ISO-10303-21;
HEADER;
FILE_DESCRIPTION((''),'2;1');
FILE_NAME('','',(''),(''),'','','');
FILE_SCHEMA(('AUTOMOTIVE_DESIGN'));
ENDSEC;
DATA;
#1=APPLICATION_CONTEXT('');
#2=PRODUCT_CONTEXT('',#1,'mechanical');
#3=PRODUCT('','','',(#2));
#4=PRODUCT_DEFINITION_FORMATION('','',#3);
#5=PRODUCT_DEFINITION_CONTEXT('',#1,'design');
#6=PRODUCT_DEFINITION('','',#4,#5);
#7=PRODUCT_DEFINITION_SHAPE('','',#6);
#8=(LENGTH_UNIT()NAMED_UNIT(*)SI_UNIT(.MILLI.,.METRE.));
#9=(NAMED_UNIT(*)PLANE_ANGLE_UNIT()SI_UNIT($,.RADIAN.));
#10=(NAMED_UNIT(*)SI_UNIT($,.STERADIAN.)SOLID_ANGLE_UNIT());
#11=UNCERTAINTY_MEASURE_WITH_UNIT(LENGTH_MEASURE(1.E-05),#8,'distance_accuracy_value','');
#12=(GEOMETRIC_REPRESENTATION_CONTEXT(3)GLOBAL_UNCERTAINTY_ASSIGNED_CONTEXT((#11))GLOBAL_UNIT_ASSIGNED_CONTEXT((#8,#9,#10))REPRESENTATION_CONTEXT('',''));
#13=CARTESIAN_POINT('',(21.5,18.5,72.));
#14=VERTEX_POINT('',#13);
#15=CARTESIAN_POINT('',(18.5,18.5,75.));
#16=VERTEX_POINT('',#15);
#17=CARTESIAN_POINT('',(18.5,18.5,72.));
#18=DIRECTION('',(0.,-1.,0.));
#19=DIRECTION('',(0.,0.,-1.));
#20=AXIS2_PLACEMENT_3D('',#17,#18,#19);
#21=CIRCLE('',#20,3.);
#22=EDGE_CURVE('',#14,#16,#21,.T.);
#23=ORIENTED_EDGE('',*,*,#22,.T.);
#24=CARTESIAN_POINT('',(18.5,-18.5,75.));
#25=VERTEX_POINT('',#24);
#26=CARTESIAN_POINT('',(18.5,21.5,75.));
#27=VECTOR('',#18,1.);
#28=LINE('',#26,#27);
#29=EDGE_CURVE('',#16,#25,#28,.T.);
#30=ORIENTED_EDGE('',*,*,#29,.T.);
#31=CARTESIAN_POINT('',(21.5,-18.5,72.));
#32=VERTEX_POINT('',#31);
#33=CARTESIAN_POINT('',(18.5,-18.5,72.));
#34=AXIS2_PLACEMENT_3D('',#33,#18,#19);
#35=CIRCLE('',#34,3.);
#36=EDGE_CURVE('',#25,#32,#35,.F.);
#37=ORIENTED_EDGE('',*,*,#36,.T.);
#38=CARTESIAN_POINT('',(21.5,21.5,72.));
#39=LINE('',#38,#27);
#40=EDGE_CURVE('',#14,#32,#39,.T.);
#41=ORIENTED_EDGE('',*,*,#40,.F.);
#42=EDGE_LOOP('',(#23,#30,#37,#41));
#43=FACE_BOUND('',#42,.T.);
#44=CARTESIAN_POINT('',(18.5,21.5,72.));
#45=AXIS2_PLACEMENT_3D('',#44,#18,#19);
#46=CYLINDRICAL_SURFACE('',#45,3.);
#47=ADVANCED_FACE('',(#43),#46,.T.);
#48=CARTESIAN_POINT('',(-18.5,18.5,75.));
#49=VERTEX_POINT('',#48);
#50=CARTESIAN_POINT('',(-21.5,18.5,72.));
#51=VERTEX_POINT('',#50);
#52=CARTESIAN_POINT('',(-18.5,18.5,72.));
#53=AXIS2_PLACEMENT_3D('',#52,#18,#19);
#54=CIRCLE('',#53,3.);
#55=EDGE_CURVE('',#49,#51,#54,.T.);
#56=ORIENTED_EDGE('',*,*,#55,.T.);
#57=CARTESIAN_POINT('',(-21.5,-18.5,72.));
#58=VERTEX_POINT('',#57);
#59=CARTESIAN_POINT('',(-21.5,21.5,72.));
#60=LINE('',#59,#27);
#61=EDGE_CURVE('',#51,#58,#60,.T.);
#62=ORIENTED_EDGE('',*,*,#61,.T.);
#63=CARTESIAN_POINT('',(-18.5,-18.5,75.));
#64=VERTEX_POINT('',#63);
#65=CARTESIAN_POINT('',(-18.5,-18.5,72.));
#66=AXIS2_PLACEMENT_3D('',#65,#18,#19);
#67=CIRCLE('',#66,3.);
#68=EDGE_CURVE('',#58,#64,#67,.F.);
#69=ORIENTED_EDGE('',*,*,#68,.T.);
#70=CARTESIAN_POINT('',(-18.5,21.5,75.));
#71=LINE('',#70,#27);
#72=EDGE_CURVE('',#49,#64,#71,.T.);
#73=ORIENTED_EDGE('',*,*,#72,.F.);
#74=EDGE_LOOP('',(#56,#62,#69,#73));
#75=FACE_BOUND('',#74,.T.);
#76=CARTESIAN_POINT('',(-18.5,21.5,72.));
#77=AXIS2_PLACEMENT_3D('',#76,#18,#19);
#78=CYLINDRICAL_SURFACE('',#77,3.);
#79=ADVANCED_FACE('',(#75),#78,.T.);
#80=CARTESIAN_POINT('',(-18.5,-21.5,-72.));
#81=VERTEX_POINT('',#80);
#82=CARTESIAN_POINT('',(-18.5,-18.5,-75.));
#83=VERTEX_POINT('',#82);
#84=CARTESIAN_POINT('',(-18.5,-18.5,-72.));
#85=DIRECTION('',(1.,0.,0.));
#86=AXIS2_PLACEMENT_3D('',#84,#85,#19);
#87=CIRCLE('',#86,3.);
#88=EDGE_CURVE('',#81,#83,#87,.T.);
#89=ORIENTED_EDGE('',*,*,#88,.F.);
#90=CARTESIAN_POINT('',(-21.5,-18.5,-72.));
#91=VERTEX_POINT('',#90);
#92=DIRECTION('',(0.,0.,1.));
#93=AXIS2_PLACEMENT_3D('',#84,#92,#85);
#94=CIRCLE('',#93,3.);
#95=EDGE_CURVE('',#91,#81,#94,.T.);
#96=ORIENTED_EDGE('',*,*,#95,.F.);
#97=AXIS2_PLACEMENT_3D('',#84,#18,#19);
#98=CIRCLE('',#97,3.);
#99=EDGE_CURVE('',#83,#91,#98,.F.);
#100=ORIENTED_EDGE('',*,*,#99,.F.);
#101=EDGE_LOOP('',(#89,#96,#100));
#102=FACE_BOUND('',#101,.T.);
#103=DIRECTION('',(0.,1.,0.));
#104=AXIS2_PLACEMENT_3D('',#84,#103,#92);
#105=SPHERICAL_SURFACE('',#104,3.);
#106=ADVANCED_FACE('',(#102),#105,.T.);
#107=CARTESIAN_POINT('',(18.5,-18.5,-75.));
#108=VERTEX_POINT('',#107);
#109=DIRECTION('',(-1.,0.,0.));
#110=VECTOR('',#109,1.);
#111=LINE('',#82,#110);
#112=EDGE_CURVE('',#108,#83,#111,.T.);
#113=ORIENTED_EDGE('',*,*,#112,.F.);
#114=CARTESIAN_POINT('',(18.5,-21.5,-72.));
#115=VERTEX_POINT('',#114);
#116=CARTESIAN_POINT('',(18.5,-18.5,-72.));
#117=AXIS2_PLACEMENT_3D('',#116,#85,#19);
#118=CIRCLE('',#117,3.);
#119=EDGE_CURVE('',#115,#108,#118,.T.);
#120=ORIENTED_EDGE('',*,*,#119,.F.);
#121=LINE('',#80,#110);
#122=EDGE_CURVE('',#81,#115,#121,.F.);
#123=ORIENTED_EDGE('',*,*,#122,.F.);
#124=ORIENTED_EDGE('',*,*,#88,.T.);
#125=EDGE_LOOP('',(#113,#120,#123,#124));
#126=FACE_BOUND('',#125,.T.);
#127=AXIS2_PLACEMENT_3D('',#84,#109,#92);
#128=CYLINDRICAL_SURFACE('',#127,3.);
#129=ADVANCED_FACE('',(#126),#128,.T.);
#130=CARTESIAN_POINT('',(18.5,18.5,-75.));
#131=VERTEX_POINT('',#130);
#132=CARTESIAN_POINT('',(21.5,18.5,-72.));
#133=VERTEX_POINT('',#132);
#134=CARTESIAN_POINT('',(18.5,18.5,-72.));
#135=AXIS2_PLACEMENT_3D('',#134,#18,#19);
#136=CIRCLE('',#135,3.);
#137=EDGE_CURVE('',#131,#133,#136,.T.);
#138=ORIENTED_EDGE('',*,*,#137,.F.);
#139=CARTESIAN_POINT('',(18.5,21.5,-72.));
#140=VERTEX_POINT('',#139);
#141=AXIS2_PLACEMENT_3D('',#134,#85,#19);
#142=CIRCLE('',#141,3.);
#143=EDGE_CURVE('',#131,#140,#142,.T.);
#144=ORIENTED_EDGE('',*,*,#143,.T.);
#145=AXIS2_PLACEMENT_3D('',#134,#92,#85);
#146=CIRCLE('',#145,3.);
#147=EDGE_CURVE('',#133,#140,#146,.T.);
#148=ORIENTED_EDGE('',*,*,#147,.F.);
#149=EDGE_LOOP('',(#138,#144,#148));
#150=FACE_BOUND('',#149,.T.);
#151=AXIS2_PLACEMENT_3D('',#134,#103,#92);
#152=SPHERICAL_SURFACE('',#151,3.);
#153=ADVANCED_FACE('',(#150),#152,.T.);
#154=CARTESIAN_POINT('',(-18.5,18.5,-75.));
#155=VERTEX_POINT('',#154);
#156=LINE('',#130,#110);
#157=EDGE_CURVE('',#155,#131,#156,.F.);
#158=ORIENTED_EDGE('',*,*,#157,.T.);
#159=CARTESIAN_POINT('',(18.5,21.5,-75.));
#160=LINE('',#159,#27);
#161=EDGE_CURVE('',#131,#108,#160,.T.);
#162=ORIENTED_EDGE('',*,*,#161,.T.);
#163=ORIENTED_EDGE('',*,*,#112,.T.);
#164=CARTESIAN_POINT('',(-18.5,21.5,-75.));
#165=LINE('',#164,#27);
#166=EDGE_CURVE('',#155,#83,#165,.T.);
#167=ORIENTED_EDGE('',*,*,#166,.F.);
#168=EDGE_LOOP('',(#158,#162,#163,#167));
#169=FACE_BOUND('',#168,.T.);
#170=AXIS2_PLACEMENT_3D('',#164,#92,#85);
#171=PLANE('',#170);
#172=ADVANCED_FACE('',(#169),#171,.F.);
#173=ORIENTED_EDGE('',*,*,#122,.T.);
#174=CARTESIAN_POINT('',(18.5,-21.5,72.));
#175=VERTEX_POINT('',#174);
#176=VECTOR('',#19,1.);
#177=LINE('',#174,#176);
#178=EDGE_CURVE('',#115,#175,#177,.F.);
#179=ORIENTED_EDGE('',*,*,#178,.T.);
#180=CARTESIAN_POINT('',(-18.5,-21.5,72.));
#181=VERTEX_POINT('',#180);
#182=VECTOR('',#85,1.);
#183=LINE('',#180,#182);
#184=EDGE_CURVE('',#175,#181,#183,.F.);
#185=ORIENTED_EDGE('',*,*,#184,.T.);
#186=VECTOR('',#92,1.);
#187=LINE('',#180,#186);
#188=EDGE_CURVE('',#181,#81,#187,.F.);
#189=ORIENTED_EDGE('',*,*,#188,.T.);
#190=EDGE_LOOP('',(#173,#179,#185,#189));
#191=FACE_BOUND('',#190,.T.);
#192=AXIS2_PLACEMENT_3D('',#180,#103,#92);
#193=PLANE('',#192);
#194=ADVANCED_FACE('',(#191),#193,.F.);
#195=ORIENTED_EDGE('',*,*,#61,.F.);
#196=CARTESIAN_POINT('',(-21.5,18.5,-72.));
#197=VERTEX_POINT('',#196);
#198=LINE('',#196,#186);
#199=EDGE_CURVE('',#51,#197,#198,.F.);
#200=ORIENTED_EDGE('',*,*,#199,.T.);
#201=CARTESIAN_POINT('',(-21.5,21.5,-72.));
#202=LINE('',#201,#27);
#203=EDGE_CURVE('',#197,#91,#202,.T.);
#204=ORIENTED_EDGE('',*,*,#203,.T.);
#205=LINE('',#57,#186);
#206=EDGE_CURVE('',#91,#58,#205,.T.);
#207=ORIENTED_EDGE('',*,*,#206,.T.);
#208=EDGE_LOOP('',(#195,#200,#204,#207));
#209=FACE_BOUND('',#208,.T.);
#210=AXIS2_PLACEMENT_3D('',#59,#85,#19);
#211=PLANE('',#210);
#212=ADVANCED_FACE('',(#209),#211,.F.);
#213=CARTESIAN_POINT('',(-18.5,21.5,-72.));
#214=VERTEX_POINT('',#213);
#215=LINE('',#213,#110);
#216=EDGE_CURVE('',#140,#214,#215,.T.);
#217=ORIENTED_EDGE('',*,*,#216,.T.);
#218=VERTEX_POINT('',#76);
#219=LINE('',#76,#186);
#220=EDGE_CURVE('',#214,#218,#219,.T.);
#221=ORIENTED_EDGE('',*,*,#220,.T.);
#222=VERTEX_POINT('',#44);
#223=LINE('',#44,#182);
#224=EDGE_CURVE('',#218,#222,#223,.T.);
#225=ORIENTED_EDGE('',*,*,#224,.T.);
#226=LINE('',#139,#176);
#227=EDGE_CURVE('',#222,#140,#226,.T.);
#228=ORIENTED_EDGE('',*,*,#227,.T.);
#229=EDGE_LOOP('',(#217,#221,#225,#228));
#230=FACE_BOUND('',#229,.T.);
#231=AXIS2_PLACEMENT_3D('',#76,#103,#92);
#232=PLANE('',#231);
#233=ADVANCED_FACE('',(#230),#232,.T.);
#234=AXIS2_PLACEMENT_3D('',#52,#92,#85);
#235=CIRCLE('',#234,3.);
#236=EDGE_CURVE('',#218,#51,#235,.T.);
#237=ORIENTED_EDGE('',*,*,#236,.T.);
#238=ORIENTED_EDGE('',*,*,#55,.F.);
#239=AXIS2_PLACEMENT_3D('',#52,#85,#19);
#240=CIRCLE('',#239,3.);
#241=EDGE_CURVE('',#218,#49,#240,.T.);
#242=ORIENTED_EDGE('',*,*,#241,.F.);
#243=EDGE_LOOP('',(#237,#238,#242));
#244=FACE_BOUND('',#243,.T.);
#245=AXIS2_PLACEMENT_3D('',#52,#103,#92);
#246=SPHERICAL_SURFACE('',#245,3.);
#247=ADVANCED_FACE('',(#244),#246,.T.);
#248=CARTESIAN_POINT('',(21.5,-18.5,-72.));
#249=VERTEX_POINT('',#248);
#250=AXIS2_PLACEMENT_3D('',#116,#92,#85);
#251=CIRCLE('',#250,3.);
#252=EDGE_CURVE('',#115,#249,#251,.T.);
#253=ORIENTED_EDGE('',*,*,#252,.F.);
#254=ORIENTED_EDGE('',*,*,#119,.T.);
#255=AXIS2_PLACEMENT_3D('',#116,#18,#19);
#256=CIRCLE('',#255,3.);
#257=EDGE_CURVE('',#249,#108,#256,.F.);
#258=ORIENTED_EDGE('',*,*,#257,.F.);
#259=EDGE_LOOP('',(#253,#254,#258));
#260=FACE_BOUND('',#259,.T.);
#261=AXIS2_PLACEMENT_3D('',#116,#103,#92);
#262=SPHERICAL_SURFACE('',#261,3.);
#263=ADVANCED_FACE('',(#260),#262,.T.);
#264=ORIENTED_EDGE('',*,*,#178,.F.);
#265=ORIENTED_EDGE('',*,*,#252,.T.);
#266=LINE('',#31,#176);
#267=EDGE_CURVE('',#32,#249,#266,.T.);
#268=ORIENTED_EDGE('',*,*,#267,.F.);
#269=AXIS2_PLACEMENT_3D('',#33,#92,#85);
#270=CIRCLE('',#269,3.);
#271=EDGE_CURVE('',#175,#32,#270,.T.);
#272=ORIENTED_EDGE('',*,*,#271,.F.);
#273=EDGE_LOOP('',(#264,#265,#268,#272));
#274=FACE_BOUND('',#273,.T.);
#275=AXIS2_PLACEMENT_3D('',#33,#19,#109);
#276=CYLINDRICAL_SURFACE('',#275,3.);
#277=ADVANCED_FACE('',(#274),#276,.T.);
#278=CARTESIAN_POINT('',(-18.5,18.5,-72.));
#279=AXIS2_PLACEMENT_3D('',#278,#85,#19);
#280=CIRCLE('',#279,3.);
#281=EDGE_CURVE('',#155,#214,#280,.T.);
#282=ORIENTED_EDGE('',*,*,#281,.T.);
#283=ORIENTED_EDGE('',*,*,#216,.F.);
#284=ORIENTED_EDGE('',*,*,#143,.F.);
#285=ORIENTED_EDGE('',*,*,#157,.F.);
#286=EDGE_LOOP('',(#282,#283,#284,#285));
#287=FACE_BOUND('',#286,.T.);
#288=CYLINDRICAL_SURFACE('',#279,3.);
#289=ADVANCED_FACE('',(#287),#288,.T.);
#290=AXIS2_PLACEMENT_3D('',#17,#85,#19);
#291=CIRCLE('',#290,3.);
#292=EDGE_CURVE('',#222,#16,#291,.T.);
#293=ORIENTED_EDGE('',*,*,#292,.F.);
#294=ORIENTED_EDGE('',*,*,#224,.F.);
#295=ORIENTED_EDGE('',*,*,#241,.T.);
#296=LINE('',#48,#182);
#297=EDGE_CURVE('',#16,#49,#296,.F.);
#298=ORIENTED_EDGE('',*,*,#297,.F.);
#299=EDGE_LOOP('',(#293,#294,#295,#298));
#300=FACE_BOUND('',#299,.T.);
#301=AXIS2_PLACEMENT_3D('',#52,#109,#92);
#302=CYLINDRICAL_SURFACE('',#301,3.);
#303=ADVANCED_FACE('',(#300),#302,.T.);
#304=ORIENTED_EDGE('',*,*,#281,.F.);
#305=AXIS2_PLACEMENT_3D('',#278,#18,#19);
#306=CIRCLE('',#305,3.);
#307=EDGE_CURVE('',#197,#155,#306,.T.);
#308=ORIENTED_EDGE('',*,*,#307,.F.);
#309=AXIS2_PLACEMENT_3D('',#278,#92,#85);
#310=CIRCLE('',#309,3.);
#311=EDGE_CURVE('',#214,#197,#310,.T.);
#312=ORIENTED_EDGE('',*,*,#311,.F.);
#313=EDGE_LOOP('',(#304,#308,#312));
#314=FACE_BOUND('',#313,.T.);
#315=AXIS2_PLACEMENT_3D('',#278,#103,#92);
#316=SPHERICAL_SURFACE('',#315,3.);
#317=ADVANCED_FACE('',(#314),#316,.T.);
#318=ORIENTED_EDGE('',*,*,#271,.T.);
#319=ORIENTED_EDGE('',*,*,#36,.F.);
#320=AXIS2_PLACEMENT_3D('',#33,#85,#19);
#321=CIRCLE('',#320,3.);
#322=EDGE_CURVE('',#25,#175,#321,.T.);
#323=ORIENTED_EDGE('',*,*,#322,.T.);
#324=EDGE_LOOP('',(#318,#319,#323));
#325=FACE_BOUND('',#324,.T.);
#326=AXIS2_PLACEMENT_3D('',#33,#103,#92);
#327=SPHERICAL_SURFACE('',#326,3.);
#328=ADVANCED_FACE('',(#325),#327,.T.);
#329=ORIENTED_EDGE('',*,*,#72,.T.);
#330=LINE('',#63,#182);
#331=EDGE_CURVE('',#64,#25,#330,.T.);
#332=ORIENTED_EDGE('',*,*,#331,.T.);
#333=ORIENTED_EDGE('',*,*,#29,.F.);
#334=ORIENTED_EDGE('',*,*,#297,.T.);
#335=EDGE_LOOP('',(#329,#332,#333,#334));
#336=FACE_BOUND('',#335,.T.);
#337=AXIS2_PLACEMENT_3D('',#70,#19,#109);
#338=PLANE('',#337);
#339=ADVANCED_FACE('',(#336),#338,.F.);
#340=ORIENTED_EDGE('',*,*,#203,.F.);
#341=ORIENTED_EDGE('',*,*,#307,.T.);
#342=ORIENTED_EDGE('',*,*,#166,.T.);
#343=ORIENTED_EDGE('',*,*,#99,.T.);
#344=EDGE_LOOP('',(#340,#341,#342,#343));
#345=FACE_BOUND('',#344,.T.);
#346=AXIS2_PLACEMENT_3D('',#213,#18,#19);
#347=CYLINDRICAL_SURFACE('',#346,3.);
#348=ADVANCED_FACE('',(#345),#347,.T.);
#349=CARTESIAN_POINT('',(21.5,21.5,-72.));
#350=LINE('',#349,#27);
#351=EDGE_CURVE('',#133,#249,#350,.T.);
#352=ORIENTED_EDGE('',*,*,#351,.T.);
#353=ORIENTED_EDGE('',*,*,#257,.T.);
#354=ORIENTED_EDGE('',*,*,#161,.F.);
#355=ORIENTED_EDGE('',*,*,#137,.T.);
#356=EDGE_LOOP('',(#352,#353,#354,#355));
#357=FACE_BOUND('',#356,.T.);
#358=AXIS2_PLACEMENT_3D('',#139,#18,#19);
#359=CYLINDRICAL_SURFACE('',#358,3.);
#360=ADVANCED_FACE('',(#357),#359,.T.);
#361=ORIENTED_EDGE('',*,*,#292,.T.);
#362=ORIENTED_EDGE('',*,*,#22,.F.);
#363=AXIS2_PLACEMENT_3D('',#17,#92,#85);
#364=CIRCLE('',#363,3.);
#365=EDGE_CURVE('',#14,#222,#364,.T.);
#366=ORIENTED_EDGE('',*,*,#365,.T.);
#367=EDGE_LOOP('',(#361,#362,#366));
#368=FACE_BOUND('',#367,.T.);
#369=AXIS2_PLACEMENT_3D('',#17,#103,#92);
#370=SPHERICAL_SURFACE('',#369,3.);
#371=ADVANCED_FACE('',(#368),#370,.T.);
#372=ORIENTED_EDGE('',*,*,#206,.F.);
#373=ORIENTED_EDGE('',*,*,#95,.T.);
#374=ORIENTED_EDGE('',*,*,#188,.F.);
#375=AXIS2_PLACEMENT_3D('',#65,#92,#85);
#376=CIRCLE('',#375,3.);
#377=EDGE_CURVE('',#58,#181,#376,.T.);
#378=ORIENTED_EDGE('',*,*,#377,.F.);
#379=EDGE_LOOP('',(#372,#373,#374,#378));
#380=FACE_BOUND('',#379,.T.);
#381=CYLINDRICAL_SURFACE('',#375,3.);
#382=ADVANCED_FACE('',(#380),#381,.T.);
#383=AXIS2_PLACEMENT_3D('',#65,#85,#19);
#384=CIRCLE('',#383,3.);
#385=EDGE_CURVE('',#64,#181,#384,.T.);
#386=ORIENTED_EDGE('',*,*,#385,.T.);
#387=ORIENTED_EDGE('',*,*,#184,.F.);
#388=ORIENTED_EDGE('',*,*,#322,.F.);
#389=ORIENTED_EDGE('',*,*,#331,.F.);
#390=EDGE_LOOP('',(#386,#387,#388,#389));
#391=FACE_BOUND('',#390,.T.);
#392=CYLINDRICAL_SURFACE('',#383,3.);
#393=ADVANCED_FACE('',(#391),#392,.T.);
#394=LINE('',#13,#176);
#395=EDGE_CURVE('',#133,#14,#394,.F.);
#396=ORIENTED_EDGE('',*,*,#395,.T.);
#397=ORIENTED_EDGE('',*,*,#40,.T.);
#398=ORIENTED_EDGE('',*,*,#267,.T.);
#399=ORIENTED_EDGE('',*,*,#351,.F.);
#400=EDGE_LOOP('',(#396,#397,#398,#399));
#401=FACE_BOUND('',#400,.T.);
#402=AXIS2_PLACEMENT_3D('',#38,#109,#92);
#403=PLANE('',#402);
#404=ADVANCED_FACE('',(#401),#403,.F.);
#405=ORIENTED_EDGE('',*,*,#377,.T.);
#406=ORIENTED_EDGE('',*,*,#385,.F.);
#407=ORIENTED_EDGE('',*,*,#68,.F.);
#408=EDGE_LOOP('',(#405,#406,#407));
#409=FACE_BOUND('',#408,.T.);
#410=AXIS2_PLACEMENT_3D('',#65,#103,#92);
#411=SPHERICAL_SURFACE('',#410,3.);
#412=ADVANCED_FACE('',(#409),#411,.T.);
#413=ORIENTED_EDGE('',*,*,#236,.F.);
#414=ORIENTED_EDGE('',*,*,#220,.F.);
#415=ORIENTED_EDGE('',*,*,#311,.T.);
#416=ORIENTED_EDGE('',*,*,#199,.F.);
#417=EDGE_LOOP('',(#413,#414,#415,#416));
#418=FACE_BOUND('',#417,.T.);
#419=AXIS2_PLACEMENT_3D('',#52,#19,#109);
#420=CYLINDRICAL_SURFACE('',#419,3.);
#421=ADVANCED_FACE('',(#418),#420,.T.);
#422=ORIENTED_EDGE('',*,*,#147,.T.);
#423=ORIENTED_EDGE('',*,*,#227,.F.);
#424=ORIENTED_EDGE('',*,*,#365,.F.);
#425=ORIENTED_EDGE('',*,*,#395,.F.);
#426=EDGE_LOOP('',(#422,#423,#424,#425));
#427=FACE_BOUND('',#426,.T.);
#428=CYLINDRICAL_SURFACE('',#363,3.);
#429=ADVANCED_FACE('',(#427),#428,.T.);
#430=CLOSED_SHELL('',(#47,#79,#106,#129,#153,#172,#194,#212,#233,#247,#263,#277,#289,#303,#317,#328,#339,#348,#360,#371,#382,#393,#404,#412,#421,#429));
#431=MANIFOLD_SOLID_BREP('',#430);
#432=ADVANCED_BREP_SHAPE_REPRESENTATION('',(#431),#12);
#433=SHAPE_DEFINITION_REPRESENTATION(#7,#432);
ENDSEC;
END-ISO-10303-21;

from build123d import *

# Parameters (mm, degrees)
EXTRUDE_1_DEPTH = 21.5
FILLET_1_R      = 3


with BuildPart() as part:
    # 草图1 → 凸台-拉伸1 (new, symmetric)
    with BuildSketch(Plane(origin=(0, 0, 0), x_dir=(1, 0, 0), z_dir=(0, 1, 0))):
        with BuildLine():
            Line((-18.5, -75), (18.5, -75))
            ThreePointArc((18.5, -75), (20.621320344, -74.121320344), (21.5, -72))
            Line((21.5, -72), (21.5, 72))
            ThreePointArc((21.5, 72), (20.621320344, 74.121320344), (18.5, 75))
            Line((18.5, 75), (-18.5, 75))
            ThreePointArc((-18.5, 75), (-20.621320344, 74.121320344), (-21.5, 72))
            Line((-21.5, 72), (-21.5, -72))
            ThreePointArc((-21.5, -72), (-20.621320344, -74.121320344), (-18.5, -75))
        make_face()
    extrude(amount=EXTRUDE_1_DEPTH, both=True)

    # 圆角1
    fillet_1_edges = [part.edges().sort_by_distance(p)[0] for p in [
        (21.5, -21.5, 0),
        (20.621320344, -21.5, 74.121320344),
        (0, -21.5, 75),
        (-20.621320344, -21.5, 74.121320344),
        (20.621320344, 21.5, 74.121320344),
        (21.5, 21.5, 0),
        (20.621320344, 21.5, -74.121320344),
        (0, 21.5, -75),
        (-20.621320344, 21.5, -74.121320344),
        (-21.5, 21.5, 0),
        (-20.621320344, 21.5, 74.121320344),
        (-21.5, -21.5, 0),
        (0, 21.5, 75),
        (-20.621320344, -21.5, -74.121320344),
        (0, -21.5, -75),
        (20.621320344, -21.5, -74.121320344),
    ]]
    fillet(fillet_1_edges, radius=FILLET_1_R)


solid = part.part
